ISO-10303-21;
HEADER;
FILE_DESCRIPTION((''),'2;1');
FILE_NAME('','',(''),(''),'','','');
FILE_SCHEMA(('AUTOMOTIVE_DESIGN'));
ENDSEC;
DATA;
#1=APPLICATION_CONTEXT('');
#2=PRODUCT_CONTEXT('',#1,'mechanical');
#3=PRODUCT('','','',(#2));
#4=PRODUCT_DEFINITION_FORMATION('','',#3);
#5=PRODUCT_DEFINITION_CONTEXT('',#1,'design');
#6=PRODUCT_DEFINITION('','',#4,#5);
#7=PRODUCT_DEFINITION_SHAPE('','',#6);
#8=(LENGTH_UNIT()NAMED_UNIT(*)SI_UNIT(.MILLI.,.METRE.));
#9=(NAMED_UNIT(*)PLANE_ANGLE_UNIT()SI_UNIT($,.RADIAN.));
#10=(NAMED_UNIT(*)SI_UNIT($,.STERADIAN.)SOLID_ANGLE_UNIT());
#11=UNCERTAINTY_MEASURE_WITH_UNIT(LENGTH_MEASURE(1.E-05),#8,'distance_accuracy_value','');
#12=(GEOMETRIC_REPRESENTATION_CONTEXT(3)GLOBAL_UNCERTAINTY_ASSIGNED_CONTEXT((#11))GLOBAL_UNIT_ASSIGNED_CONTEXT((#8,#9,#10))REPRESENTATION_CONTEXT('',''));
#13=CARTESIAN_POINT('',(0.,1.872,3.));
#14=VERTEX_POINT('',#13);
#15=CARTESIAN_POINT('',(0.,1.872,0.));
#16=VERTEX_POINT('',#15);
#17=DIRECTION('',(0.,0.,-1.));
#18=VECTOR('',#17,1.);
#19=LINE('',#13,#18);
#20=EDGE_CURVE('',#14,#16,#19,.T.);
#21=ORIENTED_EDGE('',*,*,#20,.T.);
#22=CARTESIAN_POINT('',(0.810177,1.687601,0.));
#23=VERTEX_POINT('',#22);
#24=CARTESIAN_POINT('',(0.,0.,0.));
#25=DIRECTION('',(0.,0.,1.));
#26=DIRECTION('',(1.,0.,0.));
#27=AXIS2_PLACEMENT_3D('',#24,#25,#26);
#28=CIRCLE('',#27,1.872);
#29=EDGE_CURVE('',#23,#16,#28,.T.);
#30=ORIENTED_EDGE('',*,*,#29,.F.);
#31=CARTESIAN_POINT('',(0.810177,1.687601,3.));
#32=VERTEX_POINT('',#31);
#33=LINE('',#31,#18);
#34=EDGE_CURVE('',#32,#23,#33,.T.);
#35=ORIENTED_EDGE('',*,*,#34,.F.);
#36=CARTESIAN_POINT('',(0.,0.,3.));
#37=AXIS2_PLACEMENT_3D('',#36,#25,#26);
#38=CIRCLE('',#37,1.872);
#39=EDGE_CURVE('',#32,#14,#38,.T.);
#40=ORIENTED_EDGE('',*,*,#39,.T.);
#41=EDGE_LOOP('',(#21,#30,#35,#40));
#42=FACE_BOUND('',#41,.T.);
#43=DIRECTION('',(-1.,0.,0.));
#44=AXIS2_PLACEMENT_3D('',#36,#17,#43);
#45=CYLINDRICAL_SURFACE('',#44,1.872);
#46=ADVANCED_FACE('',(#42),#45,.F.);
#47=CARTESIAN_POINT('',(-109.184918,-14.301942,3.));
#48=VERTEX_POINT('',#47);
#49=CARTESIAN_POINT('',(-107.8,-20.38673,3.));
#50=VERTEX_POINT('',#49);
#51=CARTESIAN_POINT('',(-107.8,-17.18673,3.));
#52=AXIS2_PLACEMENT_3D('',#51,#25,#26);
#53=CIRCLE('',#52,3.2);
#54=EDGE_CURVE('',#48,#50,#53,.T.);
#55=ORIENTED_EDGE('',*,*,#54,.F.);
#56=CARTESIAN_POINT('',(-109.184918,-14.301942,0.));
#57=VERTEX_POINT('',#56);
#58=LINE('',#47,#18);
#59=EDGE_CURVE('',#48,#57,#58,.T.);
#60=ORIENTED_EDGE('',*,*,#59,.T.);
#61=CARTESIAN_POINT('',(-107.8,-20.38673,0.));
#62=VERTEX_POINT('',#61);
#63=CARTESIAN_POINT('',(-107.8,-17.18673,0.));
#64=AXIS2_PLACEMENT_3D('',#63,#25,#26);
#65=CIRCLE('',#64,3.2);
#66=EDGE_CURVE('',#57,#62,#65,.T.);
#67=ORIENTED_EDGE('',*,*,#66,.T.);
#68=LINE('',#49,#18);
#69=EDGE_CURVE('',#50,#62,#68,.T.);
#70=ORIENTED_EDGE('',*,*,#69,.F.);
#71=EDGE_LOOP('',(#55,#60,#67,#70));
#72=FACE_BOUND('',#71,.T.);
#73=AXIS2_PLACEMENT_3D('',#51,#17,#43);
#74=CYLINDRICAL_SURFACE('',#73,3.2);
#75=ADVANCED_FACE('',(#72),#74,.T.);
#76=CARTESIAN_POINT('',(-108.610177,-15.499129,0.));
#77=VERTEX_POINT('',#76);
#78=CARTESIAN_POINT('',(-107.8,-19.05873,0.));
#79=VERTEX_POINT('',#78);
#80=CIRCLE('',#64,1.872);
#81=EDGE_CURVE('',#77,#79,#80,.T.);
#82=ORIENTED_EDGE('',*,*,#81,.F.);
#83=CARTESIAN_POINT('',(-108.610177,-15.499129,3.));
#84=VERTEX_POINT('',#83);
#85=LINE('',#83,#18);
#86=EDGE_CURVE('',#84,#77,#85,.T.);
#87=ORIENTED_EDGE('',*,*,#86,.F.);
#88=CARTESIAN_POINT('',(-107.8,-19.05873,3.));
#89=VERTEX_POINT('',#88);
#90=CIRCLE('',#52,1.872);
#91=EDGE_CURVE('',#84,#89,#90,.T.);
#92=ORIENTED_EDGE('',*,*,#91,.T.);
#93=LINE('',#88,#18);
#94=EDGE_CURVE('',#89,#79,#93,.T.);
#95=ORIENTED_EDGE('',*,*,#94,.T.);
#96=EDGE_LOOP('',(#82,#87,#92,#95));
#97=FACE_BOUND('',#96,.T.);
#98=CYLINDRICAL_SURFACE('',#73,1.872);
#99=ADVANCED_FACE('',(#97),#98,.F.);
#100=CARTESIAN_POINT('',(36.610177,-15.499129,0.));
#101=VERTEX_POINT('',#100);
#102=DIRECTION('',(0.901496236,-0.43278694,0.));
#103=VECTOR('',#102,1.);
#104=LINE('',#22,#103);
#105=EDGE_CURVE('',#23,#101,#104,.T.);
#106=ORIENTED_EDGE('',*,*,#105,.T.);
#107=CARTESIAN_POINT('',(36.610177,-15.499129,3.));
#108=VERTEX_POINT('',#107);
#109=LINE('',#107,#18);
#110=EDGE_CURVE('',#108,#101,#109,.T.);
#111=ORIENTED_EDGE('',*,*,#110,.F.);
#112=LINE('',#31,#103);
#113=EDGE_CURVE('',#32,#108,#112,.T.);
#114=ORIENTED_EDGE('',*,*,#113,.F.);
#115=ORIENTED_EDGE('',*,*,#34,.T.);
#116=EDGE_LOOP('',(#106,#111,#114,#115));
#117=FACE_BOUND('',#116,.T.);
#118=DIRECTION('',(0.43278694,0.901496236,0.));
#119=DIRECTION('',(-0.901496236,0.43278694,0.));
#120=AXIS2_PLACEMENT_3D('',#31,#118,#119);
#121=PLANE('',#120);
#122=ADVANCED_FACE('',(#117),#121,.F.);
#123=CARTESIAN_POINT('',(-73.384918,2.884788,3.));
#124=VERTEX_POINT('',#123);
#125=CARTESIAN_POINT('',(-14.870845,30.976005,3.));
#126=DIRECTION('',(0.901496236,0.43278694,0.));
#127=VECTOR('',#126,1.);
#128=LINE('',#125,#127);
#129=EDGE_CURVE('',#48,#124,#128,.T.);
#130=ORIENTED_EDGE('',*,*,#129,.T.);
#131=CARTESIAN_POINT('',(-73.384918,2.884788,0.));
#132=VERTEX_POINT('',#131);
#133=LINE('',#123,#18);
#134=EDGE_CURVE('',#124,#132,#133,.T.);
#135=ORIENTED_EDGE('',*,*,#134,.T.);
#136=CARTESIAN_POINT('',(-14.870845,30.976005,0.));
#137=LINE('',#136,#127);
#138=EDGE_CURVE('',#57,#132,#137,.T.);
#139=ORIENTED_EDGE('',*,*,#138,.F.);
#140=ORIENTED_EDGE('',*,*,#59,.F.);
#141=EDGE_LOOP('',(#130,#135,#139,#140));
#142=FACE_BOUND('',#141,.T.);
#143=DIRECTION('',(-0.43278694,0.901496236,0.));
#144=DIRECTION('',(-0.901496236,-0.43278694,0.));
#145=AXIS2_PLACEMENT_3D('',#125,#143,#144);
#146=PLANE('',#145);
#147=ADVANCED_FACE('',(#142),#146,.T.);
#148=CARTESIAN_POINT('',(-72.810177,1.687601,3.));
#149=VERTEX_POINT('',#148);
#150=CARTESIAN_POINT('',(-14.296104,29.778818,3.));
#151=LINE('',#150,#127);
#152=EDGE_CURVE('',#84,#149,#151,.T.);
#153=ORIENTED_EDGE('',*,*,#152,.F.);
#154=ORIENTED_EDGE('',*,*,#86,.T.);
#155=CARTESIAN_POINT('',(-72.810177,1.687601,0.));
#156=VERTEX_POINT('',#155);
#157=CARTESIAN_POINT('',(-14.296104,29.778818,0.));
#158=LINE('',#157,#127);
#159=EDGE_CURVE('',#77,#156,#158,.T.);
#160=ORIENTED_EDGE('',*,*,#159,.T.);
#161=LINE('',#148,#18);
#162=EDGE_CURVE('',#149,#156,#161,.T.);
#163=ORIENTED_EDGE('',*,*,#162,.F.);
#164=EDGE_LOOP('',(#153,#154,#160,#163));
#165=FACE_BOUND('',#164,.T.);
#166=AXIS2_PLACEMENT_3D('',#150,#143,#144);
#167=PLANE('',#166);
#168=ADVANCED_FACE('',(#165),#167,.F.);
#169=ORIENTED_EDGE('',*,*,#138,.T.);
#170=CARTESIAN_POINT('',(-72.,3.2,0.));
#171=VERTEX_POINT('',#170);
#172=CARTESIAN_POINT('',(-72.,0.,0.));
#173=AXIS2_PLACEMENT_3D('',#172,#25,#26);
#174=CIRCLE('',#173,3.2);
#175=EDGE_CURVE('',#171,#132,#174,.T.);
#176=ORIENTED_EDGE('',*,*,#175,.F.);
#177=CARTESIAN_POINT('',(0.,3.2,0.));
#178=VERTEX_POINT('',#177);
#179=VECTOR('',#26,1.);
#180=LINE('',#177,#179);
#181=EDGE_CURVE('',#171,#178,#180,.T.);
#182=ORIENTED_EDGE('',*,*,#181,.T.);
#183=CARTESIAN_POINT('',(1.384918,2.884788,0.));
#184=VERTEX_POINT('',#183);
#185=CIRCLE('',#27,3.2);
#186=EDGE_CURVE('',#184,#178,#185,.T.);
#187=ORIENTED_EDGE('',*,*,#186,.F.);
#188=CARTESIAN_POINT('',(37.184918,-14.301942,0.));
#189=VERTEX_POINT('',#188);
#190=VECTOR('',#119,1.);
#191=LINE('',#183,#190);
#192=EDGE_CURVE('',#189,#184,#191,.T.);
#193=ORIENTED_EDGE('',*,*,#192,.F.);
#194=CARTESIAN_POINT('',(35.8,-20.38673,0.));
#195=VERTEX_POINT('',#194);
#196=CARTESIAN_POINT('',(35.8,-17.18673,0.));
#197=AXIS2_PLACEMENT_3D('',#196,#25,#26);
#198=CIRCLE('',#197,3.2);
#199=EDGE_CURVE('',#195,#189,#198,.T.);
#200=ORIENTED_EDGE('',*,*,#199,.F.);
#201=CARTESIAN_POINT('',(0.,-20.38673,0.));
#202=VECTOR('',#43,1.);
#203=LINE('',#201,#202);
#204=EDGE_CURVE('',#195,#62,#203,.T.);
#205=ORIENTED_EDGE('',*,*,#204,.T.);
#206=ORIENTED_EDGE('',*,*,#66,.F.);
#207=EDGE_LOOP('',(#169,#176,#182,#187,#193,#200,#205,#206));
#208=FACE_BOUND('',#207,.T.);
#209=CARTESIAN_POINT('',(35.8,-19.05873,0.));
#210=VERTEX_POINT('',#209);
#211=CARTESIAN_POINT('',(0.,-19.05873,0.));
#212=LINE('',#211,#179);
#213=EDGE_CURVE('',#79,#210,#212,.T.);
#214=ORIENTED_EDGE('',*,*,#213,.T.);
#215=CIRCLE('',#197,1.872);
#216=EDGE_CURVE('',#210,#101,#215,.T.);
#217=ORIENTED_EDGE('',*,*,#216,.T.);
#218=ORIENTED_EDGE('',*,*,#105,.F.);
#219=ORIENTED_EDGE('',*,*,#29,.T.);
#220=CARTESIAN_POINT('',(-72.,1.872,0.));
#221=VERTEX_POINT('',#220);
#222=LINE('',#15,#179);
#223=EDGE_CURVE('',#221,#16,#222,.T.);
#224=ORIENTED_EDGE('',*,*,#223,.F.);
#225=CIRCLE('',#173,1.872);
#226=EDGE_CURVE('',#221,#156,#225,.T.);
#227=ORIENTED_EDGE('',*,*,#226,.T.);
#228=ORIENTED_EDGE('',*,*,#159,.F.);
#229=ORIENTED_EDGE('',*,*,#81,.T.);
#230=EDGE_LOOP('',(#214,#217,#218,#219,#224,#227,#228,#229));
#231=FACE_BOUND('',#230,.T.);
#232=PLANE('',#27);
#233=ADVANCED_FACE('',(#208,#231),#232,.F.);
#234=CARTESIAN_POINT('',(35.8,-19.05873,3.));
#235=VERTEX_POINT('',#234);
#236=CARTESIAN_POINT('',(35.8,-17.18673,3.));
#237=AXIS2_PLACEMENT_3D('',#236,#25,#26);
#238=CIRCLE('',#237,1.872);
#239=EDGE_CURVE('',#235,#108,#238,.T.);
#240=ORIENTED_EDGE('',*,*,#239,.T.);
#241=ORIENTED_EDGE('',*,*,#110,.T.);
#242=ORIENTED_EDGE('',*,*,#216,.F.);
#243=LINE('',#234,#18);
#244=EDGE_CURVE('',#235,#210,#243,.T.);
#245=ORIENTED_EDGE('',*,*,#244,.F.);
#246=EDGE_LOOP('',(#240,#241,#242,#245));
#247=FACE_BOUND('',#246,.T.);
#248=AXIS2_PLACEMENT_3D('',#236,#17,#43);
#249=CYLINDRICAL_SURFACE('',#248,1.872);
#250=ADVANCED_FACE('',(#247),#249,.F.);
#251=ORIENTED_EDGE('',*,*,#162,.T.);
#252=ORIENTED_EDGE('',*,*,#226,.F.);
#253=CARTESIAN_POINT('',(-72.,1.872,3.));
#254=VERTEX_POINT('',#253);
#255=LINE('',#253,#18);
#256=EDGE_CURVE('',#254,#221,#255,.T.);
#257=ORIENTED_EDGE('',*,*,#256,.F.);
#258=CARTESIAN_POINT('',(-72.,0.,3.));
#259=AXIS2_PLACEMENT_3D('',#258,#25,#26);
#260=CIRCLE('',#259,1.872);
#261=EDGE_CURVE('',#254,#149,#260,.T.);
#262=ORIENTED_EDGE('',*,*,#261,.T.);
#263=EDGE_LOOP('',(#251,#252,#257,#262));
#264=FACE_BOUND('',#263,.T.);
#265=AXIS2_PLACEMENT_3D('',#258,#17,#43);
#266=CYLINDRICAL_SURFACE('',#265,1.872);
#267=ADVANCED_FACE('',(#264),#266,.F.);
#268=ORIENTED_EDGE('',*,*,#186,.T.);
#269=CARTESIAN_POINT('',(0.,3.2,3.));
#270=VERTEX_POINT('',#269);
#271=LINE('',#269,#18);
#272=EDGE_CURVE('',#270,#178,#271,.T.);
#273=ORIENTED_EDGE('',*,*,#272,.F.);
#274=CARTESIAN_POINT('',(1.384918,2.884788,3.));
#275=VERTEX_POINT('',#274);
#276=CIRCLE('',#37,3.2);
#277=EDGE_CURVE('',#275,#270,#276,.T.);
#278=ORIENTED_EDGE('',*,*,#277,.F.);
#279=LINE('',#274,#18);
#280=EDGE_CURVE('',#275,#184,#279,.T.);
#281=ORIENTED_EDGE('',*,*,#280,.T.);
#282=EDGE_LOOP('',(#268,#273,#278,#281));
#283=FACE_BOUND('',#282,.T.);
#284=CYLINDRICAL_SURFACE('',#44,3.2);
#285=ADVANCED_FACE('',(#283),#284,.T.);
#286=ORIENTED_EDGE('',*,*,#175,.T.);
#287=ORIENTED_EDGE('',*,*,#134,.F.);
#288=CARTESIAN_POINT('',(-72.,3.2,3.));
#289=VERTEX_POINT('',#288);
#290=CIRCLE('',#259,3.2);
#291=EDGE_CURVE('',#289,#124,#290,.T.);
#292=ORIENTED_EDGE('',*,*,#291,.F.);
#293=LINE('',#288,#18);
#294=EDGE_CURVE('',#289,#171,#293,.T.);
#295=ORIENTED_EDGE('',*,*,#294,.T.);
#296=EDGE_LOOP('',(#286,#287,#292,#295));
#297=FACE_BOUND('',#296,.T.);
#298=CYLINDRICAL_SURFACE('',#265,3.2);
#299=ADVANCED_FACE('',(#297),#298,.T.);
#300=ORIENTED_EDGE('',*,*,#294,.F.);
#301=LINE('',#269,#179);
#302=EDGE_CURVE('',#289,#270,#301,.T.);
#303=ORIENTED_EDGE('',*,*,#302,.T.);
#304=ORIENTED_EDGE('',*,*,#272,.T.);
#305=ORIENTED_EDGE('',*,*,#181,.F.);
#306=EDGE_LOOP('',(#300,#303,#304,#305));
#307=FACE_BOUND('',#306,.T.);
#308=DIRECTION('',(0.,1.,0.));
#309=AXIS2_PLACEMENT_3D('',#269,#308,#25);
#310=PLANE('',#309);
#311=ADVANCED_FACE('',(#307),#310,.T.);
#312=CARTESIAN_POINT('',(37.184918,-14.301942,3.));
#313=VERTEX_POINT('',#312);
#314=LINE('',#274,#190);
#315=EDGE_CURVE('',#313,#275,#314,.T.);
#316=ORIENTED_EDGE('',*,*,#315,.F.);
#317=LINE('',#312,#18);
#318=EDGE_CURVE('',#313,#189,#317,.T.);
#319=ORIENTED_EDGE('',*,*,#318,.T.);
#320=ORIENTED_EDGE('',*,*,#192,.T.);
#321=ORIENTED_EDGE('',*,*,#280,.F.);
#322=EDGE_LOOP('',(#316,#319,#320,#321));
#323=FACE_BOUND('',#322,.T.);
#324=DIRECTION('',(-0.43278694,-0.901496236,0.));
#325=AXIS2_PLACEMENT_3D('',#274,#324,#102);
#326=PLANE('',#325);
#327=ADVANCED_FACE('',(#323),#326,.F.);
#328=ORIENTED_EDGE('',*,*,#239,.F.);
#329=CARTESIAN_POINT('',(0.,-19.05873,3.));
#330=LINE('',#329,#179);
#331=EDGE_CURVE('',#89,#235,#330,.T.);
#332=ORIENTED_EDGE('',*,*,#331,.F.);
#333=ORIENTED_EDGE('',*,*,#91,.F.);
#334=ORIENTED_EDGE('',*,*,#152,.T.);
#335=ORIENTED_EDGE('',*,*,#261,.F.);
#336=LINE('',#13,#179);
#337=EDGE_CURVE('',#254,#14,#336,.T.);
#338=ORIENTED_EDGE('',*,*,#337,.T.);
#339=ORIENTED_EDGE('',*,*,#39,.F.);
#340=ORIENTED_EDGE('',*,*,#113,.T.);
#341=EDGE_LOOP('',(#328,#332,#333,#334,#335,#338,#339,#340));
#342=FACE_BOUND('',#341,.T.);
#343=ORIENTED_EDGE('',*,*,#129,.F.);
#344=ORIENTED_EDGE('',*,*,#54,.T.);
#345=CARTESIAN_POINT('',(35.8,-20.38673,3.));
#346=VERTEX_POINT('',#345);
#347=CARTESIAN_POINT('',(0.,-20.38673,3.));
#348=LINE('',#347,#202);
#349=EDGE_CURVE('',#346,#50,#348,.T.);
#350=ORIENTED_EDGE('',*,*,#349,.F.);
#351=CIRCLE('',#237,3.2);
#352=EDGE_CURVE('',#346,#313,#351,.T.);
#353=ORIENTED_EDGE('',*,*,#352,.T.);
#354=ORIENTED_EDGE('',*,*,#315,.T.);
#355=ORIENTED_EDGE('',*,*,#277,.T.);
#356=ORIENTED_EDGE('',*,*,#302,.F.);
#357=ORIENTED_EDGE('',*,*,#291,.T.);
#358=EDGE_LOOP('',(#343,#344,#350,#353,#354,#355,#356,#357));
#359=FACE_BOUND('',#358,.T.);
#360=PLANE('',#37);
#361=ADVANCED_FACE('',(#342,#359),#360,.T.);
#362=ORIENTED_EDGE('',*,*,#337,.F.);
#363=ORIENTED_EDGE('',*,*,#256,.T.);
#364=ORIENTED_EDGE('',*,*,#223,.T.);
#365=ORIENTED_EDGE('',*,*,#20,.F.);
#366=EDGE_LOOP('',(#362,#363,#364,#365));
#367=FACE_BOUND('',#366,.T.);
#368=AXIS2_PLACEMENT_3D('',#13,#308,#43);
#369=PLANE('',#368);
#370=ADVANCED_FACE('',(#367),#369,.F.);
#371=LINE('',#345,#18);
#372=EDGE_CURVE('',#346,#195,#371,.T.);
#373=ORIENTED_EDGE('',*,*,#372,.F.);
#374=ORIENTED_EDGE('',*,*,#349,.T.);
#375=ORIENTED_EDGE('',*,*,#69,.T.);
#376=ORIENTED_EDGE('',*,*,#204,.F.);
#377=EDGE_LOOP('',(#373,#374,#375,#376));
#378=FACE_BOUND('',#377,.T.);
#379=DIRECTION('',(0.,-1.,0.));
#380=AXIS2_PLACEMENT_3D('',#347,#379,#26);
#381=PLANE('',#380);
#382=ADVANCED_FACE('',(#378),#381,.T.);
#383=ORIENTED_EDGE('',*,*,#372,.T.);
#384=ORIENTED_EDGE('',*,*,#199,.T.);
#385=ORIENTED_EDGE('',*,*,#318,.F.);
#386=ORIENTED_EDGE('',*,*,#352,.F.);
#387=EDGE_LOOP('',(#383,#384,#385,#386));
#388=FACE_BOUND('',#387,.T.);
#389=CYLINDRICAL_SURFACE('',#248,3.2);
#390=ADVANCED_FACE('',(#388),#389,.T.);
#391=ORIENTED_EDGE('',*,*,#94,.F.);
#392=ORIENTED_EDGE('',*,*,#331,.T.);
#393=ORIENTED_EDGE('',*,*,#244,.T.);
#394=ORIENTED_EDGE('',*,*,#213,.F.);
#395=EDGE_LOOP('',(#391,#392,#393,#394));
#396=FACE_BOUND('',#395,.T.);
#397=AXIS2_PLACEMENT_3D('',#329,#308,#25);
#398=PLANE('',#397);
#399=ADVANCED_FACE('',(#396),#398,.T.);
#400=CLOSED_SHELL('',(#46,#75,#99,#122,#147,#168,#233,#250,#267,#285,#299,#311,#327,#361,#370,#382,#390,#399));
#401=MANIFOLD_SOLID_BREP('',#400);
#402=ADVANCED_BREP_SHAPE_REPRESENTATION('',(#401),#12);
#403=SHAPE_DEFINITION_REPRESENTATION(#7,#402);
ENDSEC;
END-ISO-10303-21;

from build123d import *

# Parameters (mm, degrees)
BOSS_EXTRUDE1_DEPTH = 3


with BuildPart() as part:
    # Sketch1 → Boss-Extrude1 (new body)
    with BuildSketch(Plane.XY):
        with BuildLine():
            Line((35.8, -20.38673005), (-107.8, -20.38673005))
            ThreePointArc((-107.8, -20.38673005), (-110.920202034, -17.89689853), (-109.184918209, -14.301942094))
            Line((-109.184918209, -14.301942094), (-73.384918209, 2.884787957))
            ThreePointArc((-73.384918209, 2.884787957), (-72.710168479, 3.120202034), (-72, 3.2))
            Line((-72, 3.2), (0, 3.2))
            ThreePointArc((0, 3.2), (0.710168479, 3.120202034), (1.384918209, 2.884787957))
            Line((1.384918209, 2.884787957), (37.184918209, -14.301942094))
            ThreePointArc((37.184918209, -14.301942094), (38.920202034, -17.89689853), (35.8, -20.38673005))
        make_face()
        with BuildLine():
            ThreePointArc((0.810177152, 1.687600955), (0.41544856, 1.82531819), (0, 1.872))
            Line((0, 1.872), (-72, 1.872))
            ThreePointArc((-72, 1.872), (-72.41544856, 1.82531819), (-72.810177152, 1.687600955))
            Line((-72.810177152, 1.687600955), (-108.610177152, -15.499129096))
            ThreePointArc((-108.610177152, -15.499129096), (-109.62531819, -17.602178611), (-107.8, -19.05873005))
            Line((-107.8, -19.05873005), (35.8, -19.05873005))
            ThreePointArc((35.8, -19.05873005), (37.62531819, -17.602178611), (36.610177152, -15.499129096))
            Line((36.610177152, -15.499129096), (0.810177152, 1.687600955))
        make_face(mode=Mode.SUBTRACT)
    extrude(amount=BOSS_EXTRUDE1_DEPTH)


solid = part.part
